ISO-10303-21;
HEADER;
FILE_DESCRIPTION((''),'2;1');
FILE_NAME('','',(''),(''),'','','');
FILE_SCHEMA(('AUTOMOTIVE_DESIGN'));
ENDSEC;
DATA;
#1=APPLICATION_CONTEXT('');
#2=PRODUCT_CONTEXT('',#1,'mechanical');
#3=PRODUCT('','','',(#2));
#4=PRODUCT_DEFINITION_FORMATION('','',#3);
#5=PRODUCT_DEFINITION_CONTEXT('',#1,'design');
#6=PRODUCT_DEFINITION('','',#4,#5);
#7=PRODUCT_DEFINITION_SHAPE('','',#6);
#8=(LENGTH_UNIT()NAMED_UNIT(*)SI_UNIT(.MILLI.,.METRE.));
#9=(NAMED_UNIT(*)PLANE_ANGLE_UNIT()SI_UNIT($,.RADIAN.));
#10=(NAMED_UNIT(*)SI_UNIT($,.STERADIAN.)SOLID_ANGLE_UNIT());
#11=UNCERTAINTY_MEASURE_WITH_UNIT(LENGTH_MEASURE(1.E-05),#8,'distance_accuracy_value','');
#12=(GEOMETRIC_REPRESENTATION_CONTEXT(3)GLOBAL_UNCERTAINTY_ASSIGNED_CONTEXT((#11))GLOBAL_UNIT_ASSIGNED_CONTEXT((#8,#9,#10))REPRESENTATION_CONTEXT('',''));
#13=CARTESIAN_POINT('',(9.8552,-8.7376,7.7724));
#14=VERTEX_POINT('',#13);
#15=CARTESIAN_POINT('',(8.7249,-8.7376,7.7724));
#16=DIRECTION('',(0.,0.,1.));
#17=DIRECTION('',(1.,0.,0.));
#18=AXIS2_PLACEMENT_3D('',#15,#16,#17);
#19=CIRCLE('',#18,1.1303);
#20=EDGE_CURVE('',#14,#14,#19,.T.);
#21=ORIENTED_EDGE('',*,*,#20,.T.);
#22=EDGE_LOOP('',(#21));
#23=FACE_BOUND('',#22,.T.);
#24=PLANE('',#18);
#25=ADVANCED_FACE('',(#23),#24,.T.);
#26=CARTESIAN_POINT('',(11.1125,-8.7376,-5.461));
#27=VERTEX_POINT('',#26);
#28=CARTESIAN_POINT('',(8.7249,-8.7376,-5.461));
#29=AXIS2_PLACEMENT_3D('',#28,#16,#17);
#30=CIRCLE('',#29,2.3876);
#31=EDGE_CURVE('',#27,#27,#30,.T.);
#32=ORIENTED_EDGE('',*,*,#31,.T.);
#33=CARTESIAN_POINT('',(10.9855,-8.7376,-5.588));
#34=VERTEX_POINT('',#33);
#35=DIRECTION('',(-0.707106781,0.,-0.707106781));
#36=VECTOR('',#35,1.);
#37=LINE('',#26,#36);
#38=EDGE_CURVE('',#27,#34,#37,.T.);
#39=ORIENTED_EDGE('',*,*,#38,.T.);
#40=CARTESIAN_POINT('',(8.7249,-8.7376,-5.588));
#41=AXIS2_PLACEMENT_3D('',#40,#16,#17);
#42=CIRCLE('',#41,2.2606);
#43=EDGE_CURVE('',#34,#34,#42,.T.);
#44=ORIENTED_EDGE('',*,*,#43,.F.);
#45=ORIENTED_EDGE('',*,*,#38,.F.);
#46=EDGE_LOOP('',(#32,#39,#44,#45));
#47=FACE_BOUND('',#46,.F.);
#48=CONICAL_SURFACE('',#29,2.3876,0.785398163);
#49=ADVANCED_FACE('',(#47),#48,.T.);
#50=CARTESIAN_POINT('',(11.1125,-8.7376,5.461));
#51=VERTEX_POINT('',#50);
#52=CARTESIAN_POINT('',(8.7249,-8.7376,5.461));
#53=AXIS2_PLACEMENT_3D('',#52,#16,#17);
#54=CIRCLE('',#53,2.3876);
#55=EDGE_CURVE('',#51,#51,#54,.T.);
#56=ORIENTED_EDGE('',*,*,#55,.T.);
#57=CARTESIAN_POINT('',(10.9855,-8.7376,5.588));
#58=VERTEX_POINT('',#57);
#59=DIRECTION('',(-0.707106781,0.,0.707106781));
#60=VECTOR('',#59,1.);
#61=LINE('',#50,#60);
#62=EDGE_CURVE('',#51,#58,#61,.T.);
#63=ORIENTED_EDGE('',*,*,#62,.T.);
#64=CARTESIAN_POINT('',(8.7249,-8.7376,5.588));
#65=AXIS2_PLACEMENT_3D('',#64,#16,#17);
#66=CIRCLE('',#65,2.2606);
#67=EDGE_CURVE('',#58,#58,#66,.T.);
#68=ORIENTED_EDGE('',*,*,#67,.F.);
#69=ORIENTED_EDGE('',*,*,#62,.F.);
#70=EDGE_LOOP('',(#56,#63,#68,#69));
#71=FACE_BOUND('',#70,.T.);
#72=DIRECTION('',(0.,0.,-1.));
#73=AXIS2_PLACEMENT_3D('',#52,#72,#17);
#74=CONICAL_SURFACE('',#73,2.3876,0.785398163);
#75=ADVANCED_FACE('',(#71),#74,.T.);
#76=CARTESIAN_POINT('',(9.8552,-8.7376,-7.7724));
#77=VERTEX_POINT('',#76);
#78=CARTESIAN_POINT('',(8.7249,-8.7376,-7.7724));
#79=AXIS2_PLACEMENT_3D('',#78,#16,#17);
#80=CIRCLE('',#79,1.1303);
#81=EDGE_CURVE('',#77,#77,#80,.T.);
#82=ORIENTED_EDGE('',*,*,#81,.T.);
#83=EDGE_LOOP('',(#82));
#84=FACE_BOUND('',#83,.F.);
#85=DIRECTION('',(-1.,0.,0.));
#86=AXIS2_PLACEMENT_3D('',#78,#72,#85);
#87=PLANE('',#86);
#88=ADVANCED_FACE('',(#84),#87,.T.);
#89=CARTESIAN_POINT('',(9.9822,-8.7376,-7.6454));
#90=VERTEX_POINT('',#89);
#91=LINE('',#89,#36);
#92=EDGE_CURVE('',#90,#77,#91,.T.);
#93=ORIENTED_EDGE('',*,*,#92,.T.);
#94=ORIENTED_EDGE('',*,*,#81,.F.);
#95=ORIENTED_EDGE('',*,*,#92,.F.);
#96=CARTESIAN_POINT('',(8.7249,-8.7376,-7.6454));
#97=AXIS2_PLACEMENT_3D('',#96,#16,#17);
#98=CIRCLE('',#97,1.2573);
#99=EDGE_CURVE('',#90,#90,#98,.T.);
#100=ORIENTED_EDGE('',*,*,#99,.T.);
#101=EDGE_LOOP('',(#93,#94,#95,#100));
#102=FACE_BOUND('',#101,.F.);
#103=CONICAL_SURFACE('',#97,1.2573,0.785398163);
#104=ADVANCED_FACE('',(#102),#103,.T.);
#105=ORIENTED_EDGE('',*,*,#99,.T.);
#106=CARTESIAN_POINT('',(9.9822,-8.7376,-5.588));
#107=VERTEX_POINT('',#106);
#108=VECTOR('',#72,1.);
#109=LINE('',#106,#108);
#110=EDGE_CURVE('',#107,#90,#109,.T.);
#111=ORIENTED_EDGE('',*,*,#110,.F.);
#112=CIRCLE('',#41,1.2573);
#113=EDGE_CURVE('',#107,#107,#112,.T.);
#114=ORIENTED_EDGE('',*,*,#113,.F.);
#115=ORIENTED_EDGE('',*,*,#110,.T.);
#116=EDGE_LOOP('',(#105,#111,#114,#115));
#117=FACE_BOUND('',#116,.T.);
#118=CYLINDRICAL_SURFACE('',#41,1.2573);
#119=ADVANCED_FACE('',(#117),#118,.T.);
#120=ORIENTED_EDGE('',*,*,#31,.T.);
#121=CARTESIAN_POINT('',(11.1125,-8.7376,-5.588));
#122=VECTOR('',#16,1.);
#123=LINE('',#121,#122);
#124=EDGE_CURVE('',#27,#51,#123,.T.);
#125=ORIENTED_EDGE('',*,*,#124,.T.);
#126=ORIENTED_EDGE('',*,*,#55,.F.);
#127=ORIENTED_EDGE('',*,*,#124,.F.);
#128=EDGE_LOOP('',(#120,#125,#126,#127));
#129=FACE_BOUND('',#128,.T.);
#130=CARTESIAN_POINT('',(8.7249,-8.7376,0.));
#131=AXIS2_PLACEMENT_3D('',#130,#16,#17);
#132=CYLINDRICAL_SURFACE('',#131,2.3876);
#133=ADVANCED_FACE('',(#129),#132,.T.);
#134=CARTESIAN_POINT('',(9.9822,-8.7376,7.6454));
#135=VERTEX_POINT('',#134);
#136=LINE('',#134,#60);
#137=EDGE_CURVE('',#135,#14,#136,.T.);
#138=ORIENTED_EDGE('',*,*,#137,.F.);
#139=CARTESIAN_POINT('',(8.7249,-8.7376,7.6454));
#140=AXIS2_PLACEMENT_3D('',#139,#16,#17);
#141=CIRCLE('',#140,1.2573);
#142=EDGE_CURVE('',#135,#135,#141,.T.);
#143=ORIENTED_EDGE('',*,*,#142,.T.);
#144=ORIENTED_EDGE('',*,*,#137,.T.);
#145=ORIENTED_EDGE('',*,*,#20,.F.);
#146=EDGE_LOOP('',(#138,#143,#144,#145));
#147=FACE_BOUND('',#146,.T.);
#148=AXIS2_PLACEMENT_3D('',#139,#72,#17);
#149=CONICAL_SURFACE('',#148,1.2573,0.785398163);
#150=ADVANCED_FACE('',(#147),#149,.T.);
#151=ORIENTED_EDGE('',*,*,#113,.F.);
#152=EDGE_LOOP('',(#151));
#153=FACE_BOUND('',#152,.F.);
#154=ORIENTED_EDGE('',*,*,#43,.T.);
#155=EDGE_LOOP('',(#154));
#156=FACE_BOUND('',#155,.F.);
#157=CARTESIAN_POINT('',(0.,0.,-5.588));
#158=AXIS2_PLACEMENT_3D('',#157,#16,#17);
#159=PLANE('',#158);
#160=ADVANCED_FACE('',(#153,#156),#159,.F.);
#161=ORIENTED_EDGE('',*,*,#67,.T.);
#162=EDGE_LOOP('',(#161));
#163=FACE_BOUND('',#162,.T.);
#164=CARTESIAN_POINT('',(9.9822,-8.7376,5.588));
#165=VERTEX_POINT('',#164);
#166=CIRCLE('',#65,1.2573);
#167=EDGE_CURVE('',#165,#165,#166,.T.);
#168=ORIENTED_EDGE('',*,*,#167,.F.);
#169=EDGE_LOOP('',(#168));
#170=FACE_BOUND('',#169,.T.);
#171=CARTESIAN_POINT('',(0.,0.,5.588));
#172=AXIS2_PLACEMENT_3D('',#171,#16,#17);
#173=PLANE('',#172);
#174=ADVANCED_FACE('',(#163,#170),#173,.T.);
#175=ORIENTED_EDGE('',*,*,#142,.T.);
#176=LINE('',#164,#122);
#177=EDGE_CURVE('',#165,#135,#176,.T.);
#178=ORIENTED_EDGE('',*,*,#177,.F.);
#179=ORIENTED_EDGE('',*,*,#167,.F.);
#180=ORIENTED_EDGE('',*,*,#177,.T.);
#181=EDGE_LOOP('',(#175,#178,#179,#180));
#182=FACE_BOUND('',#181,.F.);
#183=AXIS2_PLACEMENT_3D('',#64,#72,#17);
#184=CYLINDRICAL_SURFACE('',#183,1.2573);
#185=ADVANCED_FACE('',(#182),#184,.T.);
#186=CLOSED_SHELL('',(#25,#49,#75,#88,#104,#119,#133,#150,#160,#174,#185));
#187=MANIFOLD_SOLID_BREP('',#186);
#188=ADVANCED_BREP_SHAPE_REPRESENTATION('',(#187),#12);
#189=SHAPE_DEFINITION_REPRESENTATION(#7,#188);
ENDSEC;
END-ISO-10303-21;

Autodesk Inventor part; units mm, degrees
ref_plane "YZ Plane" through (0, 0, 0) normal (1, 0, 0) x (0, 1, 0)
ref_plane "XZ Plane" through (0, 0, 0) normal (0, 1, 0) x (-1, 0, 0)
ref_plane "XY Plane" through (0, 0, 0) normal (0, 0, 1) x (1, 0, 0)
sketch "Sketch1" plane through (0, 0, 0) normal (0, 0, 1) x (1, 0, 0)
  circle A0 centre (8.7249, -8.7376) radius 1.2573 projected
  circle A1 centre (8.7249, -8.7376) radius 2.3876
  dimension "d0" = 4.7752
extrude "Extrusion1" add sketch "Sketch1" along normal mid plane 11.176 contours A0 | A1
sketch "Sketch2" plane through (8.7249, -8.7376, 5.588) normal (0, 0, 1) x (1, 0, 0)
  circle A0 centre (0, 0) radius 1.2573 projected
extrude "Extrusion2" add sketch "Sketch2" along normal blind 2.1844
mirror "Mirror1" about plane through (0, 0, 0) normal (0, 0, 1) of "Extrusion2"
chamfer "Chamfer1" distance 0.127 angle 45 4 edges at (7.4676, -8.7376, 7.7724) (6.3373, -8.7376, 5.588) (6.3373, -8.7376, -5.588) (7.4676, -8.7376, -7.7724)
properties part number "Channel - Hinge Pin" material "Steel, Mild"
